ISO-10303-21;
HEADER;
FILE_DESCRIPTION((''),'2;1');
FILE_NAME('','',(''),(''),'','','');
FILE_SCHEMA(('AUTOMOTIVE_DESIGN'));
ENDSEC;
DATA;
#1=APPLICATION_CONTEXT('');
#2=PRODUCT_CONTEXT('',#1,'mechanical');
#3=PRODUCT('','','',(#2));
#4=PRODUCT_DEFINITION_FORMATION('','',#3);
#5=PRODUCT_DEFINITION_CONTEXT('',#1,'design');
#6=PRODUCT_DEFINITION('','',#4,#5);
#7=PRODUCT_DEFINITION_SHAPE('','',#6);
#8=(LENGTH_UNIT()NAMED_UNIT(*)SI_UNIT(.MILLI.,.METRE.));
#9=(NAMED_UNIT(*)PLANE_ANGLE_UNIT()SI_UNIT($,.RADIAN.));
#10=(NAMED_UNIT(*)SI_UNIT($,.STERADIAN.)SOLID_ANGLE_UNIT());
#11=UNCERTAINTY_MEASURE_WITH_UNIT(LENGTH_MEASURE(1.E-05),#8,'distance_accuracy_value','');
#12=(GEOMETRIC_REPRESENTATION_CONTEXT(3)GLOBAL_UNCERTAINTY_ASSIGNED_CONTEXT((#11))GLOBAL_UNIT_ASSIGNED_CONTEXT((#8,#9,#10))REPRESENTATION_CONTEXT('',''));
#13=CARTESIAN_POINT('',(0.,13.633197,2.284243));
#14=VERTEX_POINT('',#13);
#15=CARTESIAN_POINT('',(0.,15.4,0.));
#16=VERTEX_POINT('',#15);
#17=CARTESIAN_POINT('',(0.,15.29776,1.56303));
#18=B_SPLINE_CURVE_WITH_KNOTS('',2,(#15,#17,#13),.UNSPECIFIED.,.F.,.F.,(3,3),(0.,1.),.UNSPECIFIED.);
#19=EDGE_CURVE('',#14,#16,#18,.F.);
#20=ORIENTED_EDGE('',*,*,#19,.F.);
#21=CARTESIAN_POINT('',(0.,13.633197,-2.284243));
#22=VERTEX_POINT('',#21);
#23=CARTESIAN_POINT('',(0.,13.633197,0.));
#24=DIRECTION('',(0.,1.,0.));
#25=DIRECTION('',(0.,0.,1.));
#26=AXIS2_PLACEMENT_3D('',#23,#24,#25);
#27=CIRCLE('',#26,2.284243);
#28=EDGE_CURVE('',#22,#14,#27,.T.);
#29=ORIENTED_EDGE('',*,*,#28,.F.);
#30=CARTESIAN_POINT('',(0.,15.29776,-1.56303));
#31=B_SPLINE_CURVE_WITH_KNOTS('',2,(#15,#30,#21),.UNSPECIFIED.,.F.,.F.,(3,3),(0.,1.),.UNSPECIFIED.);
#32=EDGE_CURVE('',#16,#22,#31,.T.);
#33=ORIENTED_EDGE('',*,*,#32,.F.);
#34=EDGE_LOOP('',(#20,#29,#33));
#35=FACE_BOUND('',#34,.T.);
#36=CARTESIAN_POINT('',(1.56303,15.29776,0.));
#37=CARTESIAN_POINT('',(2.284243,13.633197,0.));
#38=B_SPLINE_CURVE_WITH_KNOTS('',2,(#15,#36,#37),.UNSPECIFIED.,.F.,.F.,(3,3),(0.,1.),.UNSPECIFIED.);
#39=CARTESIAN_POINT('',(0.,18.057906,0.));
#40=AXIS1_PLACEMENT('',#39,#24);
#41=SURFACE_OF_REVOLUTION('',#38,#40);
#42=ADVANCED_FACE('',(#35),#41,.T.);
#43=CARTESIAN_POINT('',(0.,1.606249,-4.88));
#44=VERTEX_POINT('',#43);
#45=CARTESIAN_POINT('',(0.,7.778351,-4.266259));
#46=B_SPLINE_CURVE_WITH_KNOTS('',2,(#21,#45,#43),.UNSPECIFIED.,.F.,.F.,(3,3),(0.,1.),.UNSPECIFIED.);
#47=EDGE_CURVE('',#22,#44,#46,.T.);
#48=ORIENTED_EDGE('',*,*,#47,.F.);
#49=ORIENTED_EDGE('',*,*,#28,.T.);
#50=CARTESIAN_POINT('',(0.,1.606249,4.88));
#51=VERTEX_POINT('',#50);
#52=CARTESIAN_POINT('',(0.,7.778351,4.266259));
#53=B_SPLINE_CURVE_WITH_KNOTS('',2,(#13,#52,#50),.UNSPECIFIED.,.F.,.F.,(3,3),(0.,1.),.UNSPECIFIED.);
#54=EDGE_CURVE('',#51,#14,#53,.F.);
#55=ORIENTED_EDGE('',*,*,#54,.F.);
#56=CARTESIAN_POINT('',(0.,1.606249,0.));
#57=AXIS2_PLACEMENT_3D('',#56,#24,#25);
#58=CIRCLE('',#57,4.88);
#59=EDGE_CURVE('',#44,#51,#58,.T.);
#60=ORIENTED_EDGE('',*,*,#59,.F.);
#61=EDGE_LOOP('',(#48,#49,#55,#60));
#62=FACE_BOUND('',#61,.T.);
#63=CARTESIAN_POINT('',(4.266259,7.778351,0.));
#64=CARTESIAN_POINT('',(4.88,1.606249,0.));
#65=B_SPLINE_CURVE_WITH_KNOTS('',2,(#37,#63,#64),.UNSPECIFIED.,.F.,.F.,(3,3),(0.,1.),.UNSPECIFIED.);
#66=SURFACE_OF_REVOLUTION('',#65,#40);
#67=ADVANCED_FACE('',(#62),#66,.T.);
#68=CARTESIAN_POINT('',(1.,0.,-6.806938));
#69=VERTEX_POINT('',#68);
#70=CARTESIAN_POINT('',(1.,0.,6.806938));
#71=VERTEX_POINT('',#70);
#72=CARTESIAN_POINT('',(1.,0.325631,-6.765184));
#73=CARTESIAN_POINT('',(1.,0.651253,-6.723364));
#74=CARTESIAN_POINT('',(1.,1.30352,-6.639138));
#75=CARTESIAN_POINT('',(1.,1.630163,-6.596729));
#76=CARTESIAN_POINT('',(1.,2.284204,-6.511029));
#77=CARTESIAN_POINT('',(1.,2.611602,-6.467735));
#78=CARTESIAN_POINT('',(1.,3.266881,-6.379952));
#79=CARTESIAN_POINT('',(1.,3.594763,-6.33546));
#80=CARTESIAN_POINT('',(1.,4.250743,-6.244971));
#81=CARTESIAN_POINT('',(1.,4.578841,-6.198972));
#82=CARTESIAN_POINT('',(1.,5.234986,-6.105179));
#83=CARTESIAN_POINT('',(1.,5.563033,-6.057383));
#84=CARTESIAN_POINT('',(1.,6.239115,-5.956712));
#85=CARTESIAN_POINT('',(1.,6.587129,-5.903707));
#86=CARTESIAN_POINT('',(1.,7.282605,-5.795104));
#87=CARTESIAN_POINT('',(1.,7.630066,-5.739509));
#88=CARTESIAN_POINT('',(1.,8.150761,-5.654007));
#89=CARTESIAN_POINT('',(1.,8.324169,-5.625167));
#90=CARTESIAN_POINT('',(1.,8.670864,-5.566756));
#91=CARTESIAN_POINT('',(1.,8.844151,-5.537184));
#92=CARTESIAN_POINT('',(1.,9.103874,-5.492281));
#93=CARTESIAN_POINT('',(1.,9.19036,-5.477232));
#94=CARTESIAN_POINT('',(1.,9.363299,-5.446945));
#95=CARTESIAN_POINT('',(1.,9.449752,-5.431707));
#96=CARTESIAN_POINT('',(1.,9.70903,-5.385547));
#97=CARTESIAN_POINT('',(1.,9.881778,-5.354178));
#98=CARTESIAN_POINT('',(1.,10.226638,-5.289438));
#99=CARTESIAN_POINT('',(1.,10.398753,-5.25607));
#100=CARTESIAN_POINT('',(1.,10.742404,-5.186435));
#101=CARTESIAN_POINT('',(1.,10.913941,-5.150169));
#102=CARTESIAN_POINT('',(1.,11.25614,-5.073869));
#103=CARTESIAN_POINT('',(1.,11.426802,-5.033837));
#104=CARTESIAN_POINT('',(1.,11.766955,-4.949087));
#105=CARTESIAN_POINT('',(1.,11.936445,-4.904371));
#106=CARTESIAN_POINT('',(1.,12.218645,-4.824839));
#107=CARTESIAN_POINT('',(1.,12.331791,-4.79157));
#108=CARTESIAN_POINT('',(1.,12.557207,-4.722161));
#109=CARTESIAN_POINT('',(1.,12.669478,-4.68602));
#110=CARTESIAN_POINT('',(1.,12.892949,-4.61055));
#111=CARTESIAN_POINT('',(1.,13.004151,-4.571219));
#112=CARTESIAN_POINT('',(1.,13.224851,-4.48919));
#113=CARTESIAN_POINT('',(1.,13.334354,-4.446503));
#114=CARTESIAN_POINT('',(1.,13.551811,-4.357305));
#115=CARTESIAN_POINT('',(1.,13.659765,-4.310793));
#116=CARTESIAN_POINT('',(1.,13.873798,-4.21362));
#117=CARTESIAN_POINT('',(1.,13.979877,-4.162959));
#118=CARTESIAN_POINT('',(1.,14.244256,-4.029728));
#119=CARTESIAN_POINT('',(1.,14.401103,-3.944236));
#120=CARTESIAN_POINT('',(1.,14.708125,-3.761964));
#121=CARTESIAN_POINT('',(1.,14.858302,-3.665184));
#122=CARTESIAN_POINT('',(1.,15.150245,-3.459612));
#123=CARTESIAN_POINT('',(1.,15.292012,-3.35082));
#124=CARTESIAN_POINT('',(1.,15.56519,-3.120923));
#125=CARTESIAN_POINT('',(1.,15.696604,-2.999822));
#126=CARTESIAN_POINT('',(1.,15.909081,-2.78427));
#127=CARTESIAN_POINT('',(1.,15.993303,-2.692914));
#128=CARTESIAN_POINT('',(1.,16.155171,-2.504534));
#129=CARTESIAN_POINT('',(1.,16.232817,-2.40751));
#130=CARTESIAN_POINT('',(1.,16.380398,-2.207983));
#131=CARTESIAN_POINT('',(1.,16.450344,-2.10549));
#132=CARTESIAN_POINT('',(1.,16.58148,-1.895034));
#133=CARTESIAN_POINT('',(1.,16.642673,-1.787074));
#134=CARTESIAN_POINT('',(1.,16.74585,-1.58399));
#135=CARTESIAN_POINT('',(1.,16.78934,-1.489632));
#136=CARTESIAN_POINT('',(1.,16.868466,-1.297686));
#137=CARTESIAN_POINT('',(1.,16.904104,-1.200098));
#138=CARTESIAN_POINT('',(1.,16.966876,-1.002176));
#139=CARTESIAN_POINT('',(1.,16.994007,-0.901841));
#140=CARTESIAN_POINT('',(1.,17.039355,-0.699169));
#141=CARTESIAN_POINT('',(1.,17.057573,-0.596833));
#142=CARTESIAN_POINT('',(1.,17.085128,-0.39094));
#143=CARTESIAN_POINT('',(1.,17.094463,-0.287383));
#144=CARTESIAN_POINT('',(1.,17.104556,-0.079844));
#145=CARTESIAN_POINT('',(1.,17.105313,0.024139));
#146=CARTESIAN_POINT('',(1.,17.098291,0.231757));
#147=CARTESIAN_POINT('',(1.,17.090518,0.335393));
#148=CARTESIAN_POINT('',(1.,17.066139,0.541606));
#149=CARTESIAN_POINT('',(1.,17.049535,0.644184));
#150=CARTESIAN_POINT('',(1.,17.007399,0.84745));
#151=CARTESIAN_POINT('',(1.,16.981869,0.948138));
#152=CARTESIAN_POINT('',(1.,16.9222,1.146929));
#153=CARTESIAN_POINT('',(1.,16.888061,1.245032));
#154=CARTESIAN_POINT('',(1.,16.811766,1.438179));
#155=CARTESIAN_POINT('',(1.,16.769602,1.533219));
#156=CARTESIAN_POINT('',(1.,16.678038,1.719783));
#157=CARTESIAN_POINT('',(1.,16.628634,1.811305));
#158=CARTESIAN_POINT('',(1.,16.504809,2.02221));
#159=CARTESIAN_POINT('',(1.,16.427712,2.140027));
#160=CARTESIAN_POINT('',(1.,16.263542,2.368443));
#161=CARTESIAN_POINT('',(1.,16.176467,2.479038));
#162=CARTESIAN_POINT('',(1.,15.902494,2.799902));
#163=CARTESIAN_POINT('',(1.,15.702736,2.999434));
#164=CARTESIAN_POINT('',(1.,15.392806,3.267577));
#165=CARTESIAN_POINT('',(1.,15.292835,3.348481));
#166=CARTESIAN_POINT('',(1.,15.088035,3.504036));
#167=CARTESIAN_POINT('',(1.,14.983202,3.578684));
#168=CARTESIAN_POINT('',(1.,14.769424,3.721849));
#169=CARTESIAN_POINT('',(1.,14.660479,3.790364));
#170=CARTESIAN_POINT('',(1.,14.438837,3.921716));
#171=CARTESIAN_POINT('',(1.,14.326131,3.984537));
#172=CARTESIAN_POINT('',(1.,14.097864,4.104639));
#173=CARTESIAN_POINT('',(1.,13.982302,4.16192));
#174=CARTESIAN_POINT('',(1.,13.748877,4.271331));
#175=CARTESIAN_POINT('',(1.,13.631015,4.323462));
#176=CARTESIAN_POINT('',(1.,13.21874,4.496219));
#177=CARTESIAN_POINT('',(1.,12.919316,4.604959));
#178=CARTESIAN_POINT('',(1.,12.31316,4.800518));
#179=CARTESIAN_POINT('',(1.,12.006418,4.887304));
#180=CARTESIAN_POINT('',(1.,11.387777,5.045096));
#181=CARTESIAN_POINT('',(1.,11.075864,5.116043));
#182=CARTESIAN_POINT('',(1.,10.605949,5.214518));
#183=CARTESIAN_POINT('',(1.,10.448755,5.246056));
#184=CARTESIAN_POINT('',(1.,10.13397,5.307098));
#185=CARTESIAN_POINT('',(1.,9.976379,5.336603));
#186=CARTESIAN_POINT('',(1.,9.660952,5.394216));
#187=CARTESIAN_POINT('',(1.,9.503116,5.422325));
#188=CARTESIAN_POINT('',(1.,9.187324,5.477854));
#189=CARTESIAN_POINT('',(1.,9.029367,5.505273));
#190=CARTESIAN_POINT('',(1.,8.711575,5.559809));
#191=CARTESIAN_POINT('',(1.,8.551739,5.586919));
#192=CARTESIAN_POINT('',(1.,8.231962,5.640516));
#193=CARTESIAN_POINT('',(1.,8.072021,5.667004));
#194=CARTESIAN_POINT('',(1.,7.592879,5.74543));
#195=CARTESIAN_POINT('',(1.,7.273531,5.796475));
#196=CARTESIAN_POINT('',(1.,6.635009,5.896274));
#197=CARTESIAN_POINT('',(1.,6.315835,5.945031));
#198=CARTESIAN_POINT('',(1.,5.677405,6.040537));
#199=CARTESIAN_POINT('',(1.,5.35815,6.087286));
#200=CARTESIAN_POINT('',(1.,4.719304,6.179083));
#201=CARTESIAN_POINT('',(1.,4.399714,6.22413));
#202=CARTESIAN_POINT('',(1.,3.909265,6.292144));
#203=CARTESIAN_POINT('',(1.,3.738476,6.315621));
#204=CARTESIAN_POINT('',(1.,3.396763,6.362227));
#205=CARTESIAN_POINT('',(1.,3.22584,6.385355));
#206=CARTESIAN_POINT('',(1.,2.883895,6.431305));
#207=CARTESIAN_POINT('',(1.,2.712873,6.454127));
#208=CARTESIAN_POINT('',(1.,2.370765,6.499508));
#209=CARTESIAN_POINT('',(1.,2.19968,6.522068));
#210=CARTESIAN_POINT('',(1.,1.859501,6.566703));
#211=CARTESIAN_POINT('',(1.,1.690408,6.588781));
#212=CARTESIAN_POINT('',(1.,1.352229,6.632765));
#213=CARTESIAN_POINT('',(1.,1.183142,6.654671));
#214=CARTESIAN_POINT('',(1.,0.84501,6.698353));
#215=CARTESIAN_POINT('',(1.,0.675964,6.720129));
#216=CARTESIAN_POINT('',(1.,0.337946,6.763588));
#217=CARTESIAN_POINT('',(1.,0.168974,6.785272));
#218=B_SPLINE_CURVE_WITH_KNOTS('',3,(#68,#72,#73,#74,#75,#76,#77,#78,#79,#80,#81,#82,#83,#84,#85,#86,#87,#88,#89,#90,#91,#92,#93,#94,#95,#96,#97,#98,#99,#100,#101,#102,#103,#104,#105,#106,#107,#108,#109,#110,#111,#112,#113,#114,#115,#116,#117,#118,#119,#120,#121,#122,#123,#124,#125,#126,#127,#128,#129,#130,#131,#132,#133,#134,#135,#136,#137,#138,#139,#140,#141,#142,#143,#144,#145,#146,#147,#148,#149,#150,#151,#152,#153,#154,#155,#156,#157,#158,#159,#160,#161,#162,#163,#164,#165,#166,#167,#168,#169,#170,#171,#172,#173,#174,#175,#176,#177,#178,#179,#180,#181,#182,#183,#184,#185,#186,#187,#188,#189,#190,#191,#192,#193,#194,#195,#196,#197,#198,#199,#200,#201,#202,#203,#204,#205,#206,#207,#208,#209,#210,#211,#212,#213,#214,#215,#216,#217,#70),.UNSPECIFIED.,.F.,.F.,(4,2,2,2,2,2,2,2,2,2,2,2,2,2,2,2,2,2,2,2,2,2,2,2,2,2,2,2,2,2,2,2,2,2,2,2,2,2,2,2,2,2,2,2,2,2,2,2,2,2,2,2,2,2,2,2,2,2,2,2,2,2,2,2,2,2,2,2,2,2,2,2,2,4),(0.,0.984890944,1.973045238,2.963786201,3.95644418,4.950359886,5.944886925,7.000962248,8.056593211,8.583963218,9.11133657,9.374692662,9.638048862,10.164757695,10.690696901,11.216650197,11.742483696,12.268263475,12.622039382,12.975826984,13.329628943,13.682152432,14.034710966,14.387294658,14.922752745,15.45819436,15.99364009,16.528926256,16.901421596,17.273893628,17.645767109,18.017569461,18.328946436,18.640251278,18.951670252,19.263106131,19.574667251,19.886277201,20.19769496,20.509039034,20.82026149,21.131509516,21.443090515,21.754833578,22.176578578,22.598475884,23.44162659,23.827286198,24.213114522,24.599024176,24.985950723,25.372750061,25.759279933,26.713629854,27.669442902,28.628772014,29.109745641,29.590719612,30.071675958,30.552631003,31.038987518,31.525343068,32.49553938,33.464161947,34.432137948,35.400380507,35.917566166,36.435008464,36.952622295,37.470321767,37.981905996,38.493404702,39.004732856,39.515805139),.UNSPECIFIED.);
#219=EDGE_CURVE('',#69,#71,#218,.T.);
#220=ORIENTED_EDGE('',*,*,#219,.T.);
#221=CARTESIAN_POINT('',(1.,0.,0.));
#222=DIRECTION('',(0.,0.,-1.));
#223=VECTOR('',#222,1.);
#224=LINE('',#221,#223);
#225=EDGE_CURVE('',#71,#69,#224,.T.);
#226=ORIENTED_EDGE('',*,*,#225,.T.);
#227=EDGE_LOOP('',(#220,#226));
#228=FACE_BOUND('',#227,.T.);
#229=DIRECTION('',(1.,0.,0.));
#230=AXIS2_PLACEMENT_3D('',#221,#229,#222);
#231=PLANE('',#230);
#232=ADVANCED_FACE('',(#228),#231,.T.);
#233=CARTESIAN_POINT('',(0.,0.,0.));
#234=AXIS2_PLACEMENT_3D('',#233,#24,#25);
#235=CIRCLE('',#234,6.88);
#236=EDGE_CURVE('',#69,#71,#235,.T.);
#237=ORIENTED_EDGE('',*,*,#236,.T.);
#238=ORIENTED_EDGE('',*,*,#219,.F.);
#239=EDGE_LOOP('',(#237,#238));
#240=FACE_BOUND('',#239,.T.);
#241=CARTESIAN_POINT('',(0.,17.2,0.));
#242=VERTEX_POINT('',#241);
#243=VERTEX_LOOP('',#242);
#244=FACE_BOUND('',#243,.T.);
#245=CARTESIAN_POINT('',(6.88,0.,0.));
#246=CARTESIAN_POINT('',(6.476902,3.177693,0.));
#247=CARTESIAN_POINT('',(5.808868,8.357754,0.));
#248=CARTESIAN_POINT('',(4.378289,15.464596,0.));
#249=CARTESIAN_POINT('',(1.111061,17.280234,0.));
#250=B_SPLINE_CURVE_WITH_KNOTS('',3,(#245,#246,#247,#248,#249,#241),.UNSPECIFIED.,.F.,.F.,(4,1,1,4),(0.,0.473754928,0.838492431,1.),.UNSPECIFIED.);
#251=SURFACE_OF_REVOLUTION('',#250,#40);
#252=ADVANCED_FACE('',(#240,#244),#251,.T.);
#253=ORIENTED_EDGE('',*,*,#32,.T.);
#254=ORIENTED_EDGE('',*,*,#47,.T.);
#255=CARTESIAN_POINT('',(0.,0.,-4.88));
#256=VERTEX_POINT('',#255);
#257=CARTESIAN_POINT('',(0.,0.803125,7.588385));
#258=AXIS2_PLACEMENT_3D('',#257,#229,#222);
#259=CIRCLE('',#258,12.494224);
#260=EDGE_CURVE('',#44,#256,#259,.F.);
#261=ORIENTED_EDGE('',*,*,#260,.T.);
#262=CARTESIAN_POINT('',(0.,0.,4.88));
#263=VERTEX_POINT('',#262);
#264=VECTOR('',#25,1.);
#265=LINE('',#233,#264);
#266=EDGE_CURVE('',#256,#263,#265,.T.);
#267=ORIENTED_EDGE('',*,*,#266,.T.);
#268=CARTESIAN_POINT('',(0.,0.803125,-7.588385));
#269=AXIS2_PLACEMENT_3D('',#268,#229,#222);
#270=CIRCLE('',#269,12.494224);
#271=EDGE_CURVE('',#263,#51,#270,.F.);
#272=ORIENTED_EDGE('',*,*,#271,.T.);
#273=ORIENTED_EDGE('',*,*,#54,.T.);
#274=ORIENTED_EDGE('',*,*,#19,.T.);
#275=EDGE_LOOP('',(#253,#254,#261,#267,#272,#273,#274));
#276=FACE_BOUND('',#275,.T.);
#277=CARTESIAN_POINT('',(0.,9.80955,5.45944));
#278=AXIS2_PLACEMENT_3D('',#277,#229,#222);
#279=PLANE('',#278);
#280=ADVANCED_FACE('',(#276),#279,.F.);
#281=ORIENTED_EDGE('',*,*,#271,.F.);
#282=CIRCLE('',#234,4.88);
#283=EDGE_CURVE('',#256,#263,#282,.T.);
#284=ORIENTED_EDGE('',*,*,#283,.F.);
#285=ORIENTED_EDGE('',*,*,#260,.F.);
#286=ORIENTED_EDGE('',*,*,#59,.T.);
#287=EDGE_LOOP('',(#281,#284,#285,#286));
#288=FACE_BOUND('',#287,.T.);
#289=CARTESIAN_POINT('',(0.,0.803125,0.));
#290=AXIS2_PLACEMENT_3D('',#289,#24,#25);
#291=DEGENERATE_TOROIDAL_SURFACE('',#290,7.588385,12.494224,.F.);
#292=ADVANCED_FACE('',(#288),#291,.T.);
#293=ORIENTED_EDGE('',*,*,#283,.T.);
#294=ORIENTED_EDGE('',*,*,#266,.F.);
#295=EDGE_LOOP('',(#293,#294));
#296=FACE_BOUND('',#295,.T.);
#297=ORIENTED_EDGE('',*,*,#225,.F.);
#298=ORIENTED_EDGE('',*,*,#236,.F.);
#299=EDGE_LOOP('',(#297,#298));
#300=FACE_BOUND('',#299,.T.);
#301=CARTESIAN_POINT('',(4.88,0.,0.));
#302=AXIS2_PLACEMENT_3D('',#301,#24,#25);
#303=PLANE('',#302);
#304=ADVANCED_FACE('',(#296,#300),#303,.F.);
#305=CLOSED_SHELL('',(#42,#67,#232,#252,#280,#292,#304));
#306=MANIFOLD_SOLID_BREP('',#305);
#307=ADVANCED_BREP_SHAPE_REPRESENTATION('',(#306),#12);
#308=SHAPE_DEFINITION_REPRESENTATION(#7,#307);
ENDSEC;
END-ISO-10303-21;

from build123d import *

# Parameters (mm, degrees)
SKETCH5_W                = 5
SKETCH5_H                = 18
CUT_EXTRUDE4_DEPTH       = 20
REVOLVE3_ANGLE           = 90
REVOLVE3_OTHER_WAY_ANGLE = 90
SKETCH12_W               = 15.157920946
SKETCH12_H               = 18.962900337
CUT_EXTRUDE5_DEPTH       = 9


with BuildPart() as part:
    # Sketch1 → Revolve1 (revolve)
    with BuildSketch(Plane.XY):
        with BuildLine():
            Line((4.88, 0), (6.88, 0))
            add(Edge.make_bspline(
                [(6.88, 0), (6.476901655, 3.177692832), (5.808868292, 8.357754247), (4.378289276, 15.464596201), (1.111060579, 17.280233516), (0, 17.2)],
                knots=[0, 0, 0, 0, 0.473754928, 0.838492431, 1, 1, 1, 1], degree=3))
            Line((0, 17.2), (0, 15.4))
            add(Edge.make_bspline(
                [(0, 15.4), (1.563029619, 15.297760208), (2.284243197, 13.63319745)],
                knots=[0, 0, 0, 1, 1, 1], degree=2))
            add(Edge.make_bspline(
                [(2.284243197, 13.63319745), (4.266259497, 7.778351244), (4.88, 1.606249126)],
                knots=[0, 0, 0, 1, 1, 1], degree=2))
            ThreePointArc((4.88, 1.606249126), (4.905839008, 0.803124563), (4.88, 0))
        make_face()
    revolve(axis=Axis((0, 18.057905706, 0), (0, -1, 0)))

    # Sketch5 → Cut-Extrude4 (cut)
    with BuildSketch(Plane.XZ):
        with Locations((4.5, 0.912005105)):
            Rectangle(SKETCH5_W, SKETCH5_H)
    extrude(amount=-CUT_EXTRUDE4_DEPTH, mode=Mode.SUBTRACT)

    # Sketch9 → Revolve3 (revolve)
    with BuildSketch(Plane.XY):
        with BuildLine():
            Line((0, 17.2), (0, 0))
            Line((0, 0), (4.88, 0))
            Line((4.88, 0), (6.88, 0))
            add(Edge.make_bspline(
                [(6.88, 0), (6.476901655, 3.177692832), (5.808868292, 8.357754247), (4.378289276, 15.464596201), (1.111060579, 17.280233516), (0, 17.2)],
                knots=[0, 0, 0, 0, 0.473754928, 0.838492431, 1, 1, 1, 1], degree=3))
        make_face()
    revolve(axis=Axis((0, 17.2, 0), (0, -1, 0)), revolution_arc=REVOLVE3_ANGLE)

    # Sketch9 → Revolve3 other way (revolve)
    with BuildSketch(Plane.XY):
        with BuildLine():
            Line((0, 17.2), (0, 0))
            Line((0, 0), (4.88, 0))
            Line((4.88, 0), (6.88, 0))
            add(Edge.make_bspline(
                [(6.88, 0), (6.476901655, 3.177692832), (5.808868292, 8.357754247), (4.378289276, 15.464596201), (1.111060579, 17.280233516), (0, 17.2)],
                knots=[0, 0, 0, 0, 0.473754928, 0.838492431, 1, 1, 1, 1], degree=3))
        make_face()
    revolve(axis=Axis((0, 17.2, 0), (0, 1, 0)), revolution_arc=REVOLVE3_OTHER_WAY_ANGLE)

    # Sketch12 → Cut-Extrude5 (cut)
    with BuildSketch(Plane(origin=(10, 0, 0), x_dir=(0, 0, -1), z_dir=(1, 0, 0))):
        with Locations((0, 8.631516603)):
            Rectangle(SKETCH12_W, SKETCH12_H)
    extrude(amount=-CUT_EXTRUDE5_DEPTH, mode=Mode.SUBTRACT)


solid = part.part
